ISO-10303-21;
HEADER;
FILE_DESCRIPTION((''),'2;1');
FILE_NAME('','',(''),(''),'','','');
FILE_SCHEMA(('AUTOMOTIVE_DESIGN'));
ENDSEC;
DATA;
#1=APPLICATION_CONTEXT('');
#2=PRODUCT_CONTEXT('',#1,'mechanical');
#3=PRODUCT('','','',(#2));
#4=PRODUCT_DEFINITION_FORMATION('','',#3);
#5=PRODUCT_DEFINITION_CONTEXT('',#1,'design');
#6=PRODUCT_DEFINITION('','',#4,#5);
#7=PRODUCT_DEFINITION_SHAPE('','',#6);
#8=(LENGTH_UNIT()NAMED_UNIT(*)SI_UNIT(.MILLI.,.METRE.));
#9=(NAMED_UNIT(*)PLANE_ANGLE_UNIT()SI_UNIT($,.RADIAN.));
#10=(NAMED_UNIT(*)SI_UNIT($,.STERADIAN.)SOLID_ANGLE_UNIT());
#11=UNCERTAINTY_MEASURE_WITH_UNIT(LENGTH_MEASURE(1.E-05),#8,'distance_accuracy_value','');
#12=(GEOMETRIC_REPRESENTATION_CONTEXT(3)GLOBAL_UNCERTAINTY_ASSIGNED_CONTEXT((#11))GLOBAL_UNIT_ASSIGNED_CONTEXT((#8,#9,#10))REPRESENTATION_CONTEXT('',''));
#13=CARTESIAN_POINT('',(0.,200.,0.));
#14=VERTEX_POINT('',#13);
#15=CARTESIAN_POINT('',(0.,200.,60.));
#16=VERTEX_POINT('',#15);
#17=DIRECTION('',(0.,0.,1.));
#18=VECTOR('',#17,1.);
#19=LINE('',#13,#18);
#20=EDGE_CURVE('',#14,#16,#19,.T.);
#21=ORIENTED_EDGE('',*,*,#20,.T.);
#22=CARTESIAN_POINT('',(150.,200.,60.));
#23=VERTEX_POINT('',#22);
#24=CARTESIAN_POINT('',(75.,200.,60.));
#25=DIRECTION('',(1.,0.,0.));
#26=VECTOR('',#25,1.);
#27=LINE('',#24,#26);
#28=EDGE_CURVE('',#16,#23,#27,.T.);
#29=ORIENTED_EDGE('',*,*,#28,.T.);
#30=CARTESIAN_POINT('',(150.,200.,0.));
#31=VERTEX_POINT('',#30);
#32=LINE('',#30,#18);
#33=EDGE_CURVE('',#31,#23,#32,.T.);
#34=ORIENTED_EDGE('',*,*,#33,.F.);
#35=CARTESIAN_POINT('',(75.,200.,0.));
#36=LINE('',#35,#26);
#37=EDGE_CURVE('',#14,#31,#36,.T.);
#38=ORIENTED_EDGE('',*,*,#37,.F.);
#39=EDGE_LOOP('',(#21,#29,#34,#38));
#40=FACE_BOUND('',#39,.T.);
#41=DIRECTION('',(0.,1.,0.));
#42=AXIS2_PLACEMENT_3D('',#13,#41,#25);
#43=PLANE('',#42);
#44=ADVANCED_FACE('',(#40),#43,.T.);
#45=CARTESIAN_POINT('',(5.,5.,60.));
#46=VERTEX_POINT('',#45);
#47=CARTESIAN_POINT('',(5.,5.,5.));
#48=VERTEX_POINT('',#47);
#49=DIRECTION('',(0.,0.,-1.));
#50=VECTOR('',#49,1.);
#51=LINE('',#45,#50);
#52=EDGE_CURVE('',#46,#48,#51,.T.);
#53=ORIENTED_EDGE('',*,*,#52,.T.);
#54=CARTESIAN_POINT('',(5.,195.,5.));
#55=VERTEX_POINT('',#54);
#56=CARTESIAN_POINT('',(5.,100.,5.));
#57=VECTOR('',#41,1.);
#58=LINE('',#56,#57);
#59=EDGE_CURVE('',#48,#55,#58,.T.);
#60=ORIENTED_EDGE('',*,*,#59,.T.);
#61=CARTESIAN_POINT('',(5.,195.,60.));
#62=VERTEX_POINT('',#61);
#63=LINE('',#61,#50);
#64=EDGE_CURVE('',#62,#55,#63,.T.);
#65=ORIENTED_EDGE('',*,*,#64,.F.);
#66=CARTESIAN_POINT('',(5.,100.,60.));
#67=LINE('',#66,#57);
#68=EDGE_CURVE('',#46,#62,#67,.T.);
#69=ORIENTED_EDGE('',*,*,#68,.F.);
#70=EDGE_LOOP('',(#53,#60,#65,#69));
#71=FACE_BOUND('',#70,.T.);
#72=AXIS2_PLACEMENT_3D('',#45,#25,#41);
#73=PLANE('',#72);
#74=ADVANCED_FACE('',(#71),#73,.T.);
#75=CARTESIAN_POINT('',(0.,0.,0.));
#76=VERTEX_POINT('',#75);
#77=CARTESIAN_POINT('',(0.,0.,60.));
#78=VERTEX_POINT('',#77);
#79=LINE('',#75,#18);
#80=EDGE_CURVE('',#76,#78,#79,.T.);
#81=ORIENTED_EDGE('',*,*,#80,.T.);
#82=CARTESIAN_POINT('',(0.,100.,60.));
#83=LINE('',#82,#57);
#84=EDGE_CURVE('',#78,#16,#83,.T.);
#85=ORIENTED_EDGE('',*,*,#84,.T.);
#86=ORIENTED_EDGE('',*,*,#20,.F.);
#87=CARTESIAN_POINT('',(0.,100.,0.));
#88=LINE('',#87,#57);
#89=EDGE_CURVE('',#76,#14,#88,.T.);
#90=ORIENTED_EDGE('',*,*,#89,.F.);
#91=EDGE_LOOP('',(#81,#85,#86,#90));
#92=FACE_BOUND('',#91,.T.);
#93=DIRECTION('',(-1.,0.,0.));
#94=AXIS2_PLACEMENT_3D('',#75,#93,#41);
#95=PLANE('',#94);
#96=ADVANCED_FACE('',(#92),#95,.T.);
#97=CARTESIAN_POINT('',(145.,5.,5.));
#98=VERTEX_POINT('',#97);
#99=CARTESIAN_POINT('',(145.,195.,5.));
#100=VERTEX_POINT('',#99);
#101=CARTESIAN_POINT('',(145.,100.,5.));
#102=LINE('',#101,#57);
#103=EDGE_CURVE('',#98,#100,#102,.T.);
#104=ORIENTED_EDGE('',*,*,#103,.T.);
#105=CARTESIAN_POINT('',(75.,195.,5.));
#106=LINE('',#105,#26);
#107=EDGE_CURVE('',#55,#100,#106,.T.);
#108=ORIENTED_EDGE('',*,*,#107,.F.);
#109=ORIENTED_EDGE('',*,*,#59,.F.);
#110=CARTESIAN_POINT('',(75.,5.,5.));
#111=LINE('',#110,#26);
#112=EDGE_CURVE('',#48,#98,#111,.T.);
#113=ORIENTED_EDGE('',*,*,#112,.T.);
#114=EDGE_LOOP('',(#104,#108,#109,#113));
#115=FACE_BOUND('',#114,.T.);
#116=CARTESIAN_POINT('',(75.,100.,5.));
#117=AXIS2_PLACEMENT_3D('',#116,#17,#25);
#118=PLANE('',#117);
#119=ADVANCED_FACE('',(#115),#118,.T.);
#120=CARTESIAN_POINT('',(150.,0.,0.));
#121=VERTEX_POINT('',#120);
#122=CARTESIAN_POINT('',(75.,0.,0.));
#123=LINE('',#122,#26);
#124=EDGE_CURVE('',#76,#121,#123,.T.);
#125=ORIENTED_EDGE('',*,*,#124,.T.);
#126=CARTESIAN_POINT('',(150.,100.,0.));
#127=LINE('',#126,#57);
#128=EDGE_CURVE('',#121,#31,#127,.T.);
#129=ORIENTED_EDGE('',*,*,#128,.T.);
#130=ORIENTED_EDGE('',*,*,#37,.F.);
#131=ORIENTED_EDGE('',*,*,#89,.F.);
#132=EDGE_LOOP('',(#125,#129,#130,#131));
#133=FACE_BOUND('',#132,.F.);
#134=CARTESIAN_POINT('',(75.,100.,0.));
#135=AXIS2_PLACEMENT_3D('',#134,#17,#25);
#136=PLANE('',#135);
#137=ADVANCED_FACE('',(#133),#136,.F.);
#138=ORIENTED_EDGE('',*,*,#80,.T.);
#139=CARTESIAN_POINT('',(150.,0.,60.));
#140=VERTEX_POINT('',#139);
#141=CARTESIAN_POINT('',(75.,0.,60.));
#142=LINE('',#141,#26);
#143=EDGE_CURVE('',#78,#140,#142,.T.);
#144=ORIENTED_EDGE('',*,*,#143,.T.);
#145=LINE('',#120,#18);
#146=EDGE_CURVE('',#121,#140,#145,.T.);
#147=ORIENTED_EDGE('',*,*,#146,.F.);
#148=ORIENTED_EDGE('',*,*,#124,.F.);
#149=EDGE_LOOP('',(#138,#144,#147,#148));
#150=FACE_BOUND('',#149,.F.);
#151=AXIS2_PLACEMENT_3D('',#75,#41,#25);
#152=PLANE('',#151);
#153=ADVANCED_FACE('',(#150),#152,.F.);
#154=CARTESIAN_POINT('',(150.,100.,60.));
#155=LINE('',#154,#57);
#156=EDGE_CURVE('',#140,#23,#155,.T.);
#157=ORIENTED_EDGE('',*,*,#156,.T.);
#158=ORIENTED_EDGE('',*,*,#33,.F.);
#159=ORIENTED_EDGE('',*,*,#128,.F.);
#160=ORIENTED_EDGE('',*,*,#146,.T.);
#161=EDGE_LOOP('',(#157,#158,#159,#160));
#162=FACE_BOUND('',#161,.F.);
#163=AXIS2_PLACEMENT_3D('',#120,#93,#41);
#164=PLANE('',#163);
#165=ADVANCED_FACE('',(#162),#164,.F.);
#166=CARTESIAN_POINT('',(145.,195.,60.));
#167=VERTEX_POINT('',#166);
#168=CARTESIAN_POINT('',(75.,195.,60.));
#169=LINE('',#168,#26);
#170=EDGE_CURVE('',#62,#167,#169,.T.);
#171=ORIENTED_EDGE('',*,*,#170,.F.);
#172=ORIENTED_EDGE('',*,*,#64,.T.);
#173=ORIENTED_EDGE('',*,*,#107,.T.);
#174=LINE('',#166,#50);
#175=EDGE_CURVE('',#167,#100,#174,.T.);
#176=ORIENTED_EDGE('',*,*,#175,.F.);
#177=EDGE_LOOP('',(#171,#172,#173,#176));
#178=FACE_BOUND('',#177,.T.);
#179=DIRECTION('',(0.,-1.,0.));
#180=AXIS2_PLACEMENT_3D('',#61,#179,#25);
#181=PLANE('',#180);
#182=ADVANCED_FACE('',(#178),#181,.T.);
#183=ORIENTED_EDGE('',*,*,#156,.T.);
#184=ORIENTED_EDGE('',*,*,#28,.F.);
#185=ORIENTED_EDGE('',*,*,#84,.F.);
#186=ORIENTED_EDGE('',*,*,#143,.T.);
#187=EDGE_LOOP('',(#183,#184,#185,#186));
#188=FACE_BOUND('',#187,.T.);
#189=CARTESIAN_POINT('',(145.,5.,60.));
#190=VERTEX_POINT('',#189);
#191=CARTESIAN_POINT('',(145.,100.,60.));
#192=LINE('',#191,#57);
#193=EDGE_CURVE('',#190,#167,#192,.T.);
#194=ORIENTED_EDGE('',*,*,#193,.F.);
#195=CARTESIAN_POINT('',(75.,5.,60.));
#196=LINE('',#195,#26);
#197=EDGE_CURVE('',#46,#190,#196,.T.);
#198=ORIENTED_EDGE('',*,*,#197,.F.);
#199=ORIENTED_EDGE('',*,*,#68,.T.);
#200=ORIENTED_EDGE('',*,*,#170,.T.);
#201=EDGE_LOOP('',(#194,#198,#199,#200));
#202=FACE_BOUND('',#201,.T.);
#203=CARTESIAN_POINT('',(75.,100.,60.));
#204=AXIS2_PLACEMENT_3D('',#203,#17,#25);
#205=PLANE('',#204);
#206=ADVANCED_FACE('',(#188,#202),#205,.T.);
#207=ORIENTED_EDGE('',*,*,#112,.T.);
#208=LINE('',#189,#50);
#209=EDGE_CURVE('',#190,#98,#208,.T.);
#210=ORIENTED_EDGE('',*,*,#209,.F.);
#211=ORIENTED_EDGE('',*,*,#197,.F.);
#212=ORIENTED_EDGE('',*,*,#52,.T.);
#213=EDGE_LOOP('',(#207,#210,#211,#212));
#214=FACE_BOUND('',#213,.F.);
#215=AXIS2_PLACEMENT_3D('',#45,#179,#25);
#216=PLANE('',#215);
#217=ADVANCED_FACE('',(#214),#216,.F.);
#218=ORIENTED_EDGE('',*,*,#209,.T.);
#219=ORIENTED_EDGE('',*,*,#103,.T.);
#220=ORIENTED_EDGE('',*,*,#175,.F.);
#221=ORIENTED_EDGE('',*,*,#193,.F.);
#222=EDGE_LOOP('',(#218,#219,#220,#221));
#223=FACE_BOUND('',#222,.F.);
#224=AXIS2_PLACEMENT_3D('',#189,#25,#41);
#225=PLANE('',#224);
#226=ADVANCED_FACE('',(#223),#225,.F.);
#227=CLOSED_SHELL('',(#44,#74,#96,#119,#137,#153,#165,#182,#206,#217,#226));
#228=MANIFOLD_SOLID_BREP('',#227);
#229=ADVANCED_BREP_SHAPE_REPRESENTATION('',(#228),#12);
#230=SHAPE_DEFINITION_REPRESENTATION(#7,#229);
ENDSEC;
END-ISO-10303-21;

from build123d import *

# Parameters (mm, degrees)
SKETCH_W      = 150
SKETCH_H      = 200
EXTRUDE_DEPTH = 60
SKETCH001_W   = 140
SKETCH001_H   = 190
POCKET_DEPTH  = 55


with BuildPart() as part:
    # Sketch → Extrude (new body)
    with BuildSketch(Plane.XY):
        with Locations((75, 100)):
            Rectangle(SKETCH_W, SKETCH_H)
    extrude(amount=EXTRUDE_DEPTH)

    # Sketch001 (on Face6 of BaseFeature) → Pocket (cut)
    with BuildSketch(Plane.XY.offset(60)):
        with Locations((75, 100)):
            Rectangle(SKETCH001_W, SKETCH001_H)
    extrude(amount=-POCKET_DEPTH, mode=Mode.SUBTRACT)


solid = part.part
